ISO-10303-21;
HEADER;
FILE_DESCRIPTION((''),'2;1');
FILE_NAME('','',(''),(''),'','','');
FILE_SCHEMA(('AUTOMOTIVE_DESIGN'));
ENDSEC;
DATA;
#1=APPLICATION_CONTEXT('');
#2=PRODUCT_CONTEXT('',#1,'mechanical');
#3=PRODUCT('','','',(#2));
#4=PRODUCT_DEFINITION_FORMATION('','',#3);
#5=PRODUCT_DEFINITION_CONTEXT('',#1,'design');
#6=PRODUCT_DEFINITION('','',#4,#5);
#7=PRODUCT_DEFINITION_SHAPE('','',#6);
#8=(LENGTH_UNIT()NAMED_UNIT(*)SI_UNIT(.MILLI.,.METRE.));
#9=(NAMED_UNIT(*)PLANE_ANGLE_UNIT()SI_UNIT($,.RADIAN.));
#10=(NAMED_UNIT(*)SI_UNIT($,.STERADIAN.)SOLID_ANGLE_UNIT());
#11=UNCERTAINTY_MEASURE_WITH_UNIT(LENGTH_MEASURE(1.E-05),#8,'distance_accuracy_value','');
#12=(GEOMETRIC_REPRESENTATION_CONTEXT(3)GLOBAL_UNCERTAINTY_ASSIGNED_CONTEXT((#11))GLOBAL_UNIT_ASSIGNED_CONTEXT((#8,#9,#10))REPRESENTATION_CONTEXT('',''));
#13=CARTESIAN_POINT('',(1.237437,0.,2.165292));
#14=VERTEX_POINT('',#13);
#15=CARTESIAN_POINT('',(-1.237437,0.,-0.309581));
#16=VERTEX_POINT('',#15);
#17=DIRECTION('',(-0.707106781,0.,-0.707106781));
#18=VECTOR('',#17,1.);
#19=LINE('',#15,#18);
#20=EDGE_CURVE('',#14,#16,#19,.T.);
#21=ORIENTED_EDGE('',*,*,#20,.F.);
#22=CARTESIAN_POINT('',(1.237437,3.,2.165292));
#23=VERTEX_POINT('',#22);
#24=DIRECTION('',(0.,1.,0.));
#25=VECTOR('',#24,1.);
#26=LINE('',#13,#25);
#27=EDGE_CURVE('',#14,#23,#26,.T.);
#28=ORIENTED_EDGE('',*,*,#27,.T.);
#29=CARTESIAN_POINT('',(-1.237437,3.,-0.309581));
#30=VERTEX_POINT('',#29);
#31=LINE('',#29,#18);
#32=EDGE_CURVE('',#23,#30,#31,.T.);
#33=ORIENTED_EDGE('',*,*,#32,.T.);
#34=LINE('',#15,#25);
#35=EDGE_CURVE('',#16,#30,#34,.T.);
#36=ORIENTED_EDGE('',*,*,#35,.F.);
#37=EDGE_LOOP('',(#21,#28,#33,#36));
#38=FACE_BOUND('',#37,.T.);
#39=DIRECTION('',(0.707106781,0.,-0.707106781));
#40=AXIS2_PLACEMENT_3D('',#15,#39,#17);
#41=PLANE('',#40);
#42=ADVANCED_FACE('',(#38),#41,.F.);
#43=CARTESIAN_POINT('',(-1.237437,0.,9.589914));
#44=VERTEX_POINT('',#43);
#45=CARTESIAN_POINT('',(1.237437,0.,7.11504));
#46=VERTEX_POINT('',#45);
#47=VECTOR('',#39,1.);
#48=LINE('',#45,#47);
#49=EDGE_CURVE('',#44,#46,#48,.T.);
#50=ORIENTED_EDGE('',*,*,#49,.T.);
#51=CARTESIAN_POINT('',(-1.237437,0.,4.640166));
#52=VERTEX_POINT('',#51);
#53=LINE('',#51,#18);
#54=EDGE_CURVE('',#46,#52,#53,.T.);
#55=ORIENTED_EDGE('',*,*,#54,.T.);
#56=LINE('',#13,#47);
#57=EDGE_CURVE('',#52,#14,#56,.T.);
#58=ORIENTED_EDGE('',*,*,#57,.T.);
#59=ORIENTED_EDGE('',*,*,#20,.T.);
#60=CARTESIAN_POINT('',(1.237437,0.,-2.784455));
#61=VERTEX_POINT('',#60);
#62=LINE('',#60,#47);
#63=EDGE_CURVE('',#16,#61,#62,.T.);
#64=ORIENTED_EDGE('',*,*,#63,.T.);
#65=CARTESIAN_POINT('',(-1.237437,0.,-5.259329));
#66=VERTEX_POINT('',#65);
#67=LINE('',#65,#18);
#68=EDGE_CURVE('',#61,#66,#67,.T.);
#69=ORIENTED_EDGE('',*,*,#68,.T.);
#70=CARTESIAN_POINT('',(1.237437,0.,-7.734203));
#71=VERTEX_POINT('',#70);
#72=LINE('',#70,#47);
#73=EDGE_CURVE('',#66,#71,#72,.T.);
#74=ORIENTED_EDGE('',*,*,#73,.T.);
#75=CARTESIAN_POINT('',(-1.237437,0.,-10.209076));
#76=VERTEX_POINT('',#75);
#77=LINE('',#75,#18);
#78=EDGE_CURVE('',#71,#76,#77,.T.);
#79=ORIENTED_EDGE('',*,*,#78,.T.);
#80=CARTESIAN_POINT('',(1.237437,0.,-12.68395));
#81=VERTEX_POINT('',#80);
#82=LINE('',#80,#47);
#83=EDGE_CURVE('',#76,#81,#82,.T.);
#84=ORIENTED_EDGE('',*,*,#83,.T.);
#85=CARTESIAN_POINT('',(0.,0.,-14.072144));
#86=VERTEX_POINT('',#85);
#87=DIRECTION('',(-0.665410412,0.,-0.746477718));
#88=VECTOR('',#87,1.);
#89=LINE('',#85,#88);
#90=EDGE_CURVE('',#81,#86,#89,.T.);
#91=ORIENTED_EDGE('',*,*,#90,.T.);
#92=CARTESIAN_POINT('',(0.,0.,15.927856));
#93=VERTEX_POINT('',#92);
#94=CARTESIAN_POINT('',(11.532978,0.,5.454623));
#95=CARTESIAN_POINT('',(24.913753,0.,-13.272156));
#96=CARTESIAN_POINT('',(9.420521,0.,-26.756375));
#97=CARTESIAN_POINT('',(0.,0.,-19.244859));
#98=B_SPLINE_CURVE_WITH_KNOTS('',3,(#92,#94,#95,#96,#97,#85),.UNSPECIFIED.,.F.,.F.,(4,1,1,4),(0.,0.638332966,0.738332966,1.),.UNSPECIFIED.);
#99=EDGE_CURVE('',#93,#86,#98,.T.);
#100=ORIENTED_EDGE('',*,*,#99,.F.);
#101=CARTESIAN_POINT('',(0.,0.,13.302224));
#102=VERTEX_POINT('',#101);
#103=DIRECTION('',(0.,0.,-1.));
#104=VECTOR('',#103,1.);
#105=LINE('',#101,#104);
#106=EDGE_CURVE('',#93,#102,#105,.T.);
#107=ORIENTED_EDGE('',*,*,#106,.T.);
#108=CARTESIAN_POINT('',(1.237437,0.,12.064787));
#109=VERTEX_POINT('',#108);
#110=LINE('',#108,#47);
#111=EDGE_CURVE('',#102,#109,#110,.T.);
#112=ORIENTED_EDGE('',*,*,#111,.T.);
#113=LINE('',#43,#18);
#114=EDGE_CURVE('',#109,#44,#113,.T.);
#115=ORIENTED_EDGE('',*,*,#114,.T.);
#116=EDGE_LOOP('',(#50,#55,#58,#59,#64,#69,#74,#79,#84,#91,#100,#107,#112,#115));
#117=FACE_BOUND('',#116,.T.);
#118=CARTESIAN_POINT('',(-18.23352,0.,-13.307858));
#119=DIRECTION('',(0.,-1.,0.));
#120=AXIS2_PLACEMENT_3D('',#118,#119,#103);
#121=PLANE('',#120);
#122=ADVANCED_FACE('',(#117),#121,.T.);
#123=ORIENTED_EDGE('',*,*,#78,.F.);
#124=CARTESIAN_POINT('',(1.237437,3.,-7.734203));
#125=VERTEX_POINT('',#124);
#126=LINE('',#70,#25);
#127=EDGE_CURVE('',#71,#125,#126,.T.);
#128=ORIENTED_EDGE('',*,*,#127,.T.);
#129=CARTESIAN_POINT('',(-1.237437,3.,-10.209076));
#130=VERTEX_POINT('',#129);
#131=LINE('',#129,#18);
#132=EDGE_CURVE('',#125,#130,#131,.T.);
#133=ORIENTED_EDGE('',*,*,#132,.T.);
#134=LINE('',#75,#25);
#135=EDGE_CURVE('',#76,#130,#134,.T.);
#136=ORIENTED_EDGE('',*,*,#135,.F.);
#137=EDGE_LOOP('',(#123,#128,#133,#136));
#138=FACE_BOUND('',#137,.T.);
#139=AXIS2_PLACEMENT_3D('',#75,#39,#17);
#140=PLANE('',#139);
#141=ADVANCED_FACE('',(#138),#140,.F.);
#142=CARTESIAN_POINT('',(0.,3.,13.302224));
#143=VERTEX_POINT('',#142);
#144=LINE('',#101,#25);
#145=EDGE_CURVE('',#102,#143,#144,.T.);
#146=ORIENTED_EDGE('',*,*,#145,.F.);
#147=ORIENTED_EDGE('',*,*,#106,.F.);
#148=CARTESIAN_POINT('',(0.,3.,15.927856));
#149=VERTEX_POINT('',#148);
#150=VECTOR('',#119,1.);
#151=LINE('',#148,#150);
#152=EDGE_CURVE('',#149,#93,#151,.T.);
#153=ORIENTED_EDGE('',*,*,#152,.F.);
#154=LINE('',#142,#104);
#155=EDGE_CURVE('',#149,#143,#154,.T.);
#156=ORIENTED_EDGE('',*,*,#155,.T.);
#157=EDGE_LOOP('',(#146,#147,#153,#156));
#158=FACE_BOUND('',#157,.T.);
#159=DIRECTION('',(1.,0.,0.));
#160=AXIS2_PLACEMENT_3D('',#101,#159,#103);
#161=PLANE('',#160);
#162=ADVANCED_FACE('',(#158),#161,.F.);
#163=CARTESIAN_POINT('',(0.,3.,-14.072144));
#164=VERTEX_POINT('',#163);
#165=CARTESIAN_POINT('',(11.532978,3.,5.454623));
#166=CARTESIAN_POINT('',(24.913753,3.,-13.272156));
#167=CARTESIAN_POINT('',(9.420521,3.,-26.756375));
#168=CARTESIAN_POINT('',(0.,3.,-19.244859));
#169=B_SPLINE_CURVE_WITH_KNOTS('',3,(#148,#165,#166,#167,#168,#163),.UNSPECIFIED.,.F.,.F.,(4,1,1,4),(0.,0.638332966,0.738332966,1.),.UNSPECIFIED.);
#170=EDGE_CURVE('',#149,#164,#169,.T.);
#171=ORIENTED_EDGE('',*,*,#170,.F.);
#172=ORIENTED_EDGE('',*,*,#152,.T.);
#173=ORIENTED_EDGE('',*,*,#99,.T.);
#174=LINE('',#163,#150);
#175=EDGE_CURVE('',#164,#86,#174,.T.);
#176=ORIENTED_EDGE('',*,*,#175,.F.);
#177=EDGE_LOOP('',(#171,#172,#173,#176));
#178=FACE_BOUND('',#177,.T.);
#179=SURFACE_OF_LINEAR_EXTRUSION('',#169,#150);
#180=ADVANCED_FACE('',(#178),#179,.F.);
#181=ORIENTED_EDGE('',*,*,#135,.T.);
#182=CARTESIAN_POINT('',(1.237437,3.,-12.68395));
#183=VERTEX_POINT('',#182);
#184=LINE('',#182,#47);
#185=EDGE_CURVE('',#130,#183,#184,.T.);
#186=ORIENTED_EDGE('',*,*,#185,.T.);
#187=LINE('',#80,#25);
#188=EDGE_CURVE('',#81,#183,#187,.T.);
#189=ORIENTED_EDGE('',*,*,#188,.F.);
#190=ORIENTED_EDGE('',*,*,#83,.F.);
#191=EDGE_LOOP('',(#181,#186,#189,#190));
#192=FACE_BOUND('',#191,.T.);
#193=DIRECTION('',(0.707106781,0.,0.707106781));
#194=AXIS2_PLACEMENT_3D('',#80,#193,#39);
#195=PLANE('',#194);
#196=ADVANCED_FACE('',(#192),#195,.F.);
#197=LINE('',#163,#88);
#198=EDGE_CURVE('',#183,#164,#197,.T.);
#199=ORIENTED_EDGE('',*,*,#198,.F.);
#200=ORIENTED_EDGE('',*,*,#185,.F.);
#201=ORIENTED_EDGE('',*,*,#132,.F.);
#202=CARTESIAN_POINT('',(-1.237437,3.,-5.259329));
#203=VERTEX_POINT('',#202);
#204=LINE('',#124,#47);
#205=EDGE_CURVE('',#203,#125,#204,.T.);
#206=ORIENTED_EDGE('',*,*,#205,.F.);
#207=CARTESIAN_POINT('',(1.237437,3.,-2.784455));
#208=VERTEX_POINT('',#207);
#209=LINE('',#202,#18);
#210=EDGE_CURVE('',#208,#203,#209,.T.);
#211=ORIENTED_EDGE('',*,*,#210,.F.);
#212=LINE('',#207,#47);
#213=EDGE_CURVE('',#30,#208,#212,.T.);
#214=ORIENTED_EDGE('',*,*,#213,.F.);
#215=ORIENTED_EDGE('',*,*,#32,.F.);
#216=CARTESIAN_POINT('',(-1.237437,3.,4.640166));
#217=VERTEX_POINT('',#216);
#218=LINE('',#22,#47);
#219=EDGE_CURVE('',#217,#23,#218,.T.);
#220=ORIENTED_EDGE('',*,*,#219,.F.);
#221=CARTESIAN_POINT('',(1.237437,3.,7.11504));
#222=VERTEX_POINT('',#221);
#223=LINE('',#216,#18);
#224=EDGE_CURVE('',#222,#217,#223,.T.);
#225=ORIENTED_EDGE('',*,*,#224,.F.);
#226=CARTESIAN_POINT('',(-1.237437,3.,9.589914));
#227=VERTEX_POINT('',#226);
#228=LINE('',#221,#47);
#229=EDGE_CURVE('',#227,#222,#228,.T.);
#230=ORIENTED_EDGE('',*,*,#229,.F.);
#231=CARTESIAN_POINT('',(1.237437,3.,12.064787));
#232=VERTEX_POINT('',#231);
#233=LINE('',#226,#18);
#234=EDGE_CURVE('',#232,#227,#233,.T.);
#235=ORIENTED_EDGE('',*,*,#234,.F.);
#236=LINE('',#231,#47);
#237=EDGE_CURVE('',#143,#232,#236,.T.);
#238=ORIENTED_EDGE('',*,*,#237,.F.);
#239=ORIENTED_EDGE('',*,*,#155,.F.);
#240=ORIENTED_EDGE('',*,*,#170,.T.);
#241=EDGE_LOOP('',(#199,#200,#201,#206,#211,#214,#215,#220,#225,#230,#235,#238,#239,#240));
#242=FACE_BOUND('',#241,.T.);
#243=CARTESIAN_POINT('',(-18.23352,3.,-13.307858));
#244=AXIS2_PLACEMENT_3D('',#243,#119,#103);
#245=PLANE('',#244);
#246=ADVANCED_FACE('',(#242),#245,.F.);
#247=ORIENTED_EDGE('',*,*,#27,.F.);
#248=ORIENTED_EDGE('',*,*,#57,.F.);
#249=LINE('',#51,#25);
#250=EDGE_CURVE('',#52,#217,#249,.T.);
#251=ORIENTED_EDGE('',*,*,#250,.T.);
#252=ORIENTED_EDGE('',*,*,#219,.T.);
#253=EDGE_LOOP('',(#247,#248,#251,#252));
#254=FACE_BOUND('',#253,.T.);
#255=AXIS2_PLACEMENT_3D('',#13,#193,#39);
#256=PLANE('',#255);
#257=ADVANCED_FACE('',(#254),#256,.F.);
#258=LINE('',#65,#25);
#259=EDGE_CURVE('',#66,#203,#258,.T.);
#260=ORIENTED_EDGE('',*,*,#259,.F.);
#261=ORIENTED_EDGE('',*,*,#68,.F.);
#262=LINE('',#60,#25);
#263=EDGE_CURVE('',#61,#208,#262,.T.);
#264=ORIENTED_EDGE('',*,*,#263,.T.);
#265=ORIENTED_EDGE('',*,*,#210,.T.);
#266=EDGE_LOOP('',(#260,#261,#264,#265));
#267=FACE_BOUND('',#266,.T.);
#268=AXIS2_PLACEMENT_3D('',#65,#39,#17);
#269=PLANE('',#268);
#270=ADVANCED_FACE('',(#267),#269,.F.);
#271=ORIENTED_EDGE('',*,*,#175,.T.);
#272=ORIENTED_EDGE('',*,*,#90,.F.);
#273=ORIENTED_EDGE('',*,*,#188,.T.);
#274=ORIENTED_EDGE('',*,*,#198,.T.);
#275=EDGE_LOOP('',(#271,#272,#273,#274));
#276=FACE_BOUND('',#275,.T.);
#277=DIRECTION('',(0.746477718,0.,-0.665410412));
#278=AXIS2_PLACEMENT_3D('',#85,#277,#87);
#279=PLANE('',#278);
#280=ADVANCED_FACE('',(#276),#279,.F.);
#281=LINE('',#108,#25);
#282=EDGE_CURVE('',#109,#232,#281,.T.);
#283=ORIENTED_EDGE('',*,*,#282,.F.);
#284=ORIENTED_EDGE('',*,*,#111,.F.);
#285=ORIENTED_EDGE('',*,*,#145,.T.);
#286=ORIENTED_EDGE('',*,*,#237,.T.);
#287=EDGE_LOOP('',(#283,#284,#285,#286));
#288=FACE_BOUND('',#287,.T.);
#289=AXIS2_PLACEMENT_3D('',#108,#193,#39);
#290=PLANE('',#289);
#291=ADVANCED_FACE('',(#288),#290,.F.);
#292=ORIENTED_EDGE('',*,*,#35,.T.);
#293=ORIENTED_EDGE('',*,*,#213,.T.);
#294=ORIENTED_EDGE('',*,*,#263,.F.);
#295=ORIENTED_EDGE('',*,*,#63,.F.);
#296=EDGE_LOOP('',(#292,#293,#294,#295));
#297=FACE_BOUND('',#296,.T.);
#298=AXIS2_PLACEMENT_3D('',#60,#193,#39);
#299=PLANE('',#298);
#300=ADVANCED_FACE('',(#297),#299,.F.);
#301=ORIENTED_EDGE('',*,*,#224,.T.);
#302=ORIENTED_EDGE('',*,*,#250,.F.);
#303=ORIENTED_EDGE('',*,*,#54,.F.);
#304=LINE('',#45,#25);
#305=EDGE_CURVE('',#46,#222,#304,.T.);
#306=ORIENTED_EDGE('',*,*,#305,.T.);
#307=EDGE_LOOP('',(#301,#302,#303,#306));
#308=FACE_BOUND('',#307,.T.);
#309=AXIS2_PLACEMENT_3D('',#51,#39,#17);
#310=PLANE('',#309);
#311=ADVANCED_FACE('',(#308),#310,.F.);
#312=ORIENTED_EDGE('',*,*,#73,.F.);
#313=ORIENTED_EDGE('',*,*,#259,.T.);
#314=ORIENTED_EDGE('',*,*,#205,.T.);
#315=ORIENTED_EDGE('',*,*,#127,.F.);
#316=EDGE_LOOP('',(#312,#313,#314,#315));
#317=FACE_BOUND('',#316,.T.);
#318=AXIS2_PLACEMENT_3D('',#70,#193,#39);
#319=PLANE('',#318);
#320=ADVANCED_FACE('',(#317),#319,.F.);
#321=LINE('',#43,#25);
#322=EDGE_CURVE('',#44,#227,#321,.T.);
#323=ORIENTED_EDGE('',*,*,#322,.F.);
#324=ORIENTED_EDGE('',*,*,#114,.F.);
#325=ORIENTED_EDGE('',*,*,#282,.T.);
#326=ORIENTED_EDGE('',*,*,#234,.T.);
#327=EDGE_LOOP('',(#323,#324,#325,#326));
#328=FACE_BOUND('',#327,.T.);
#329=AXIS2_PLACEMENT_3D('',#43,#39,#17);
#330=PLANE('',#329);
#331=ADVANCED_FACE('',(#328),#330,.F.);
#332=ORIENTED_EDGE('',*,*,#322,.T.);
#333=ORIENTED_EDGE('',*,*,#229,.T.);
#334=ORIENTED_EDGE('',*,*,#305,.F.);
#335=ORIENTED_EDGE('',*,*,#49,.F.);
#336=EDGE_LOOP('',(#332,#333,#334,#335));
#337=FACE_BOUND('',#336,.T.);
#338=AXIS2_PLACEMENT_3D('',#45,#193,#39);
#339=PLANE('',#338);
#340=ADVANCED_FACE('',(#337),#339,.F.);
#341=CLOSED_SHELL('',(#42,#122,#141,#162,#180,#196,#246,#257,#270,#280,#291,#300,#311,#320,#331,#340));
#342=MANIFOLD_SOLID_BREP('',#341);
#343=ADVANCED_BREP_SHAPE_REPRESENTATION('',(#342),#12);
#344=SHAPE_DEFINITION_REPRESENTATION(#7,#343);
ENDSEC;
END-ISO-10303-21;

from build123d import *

# Parameters (mm, degrees)
BOSS_EXTRUDE1_DEPTH = 3
CUT_EXTRUDE1_DEPTH  = 3


with BuildPart() as part:
    # Sketch1 → Boss-Extrude1 (new body)
    with BuildSketch(Plane(origin=(0, 0, 0), x_dir=(1, 0, 0), z_dir=(0, 1, 0))):
        with BuildLine():
            add(Edge.make_bspline(
                [(0, 14.072144476), (0, 19.244859197), (9.420520606, 26.756374749), (24.913753139, 13.272155804), (11.532977672, -5.454623459), (0, -15.927855524)],
                knots=[0, 0, 0, 0, 0.261667034, 0.361667034, 1, 1, 1, 1], degree=3))
            add(Edge.make_bspline(
                [(0, 14.072144476), (0, 19.244859197), (-9.420520606, 26.756374749), (-24.913753139, 13.272155804), (-11.532977672, -5.454623459), (0, -15.927855524)],
                knots=[0, 0, 0, 0, 0.261667034, 0.361667034, 1, 1, 1, 1], degree=3))
        make_face()
    extrude(amount=BOSS_EXTRUDE1_DEPTH)

    # Sketch3 → Cut-Extrude1 (cut)
    with BuildSketch(Plane(origin=(0, 3, 0), x_dir=(1, 0, 0), z_dir=(0, 1, 0))):
        with BuildLine():
            Line((0, 14.072144476), (1.237436867, 12.683950014))
            Line((1.237436867, 12.683950014), (-1.237436867, 10.20907628))
            Line((-1.237436867, 10.20907628), (1.237436867, 7.734202545))
            Line((1.237436867, 7.734202545), (-1.237436867, 5.259328811))
            Line((-1.237436867, 5.259328811), (1.237436867, 2.784455077))
            Line((1.237436867, 2.784455077), (-1.237436867, 0.309581343))
            Line((-1.237436867, 0.309581343), (1.237436867, -2.165292391))
            Line((1.237436867, -2.165292391), (-1.237436867, -4.640166125))
            Line((-1.237436867, -4.640166125), (1.237436867, -7.11503986))
            Line((1.237436867, -7.11503986), (-1.237436867, -9.589913594))
            Line((-1.237436867, -9.589913594), (1.237436867, -12.064787328))
            Line((1.237436867, -12.064787328), (0, -13.302224195))
            Line((0, -13.302224195), (0, -15.927855524))
            add(Edge.make_bspline(
                [(0, 14.072144476), (0, 19.244859197), (-9.420520606, 26.756374749), (-24.913753139, 13.272155804), (-11.532977672, -5.454623459), (0, -15.927855524)],
                knots=[0, 0, 0, 0, 0.261667034, 0.361667034, 1, 1, 1, 1], degree=3))
        make_face()
    extrude(amount=-CUT_EXTRUDE1_DEPTH, mode=Mode.SUBTRACT)


solid = part.part
